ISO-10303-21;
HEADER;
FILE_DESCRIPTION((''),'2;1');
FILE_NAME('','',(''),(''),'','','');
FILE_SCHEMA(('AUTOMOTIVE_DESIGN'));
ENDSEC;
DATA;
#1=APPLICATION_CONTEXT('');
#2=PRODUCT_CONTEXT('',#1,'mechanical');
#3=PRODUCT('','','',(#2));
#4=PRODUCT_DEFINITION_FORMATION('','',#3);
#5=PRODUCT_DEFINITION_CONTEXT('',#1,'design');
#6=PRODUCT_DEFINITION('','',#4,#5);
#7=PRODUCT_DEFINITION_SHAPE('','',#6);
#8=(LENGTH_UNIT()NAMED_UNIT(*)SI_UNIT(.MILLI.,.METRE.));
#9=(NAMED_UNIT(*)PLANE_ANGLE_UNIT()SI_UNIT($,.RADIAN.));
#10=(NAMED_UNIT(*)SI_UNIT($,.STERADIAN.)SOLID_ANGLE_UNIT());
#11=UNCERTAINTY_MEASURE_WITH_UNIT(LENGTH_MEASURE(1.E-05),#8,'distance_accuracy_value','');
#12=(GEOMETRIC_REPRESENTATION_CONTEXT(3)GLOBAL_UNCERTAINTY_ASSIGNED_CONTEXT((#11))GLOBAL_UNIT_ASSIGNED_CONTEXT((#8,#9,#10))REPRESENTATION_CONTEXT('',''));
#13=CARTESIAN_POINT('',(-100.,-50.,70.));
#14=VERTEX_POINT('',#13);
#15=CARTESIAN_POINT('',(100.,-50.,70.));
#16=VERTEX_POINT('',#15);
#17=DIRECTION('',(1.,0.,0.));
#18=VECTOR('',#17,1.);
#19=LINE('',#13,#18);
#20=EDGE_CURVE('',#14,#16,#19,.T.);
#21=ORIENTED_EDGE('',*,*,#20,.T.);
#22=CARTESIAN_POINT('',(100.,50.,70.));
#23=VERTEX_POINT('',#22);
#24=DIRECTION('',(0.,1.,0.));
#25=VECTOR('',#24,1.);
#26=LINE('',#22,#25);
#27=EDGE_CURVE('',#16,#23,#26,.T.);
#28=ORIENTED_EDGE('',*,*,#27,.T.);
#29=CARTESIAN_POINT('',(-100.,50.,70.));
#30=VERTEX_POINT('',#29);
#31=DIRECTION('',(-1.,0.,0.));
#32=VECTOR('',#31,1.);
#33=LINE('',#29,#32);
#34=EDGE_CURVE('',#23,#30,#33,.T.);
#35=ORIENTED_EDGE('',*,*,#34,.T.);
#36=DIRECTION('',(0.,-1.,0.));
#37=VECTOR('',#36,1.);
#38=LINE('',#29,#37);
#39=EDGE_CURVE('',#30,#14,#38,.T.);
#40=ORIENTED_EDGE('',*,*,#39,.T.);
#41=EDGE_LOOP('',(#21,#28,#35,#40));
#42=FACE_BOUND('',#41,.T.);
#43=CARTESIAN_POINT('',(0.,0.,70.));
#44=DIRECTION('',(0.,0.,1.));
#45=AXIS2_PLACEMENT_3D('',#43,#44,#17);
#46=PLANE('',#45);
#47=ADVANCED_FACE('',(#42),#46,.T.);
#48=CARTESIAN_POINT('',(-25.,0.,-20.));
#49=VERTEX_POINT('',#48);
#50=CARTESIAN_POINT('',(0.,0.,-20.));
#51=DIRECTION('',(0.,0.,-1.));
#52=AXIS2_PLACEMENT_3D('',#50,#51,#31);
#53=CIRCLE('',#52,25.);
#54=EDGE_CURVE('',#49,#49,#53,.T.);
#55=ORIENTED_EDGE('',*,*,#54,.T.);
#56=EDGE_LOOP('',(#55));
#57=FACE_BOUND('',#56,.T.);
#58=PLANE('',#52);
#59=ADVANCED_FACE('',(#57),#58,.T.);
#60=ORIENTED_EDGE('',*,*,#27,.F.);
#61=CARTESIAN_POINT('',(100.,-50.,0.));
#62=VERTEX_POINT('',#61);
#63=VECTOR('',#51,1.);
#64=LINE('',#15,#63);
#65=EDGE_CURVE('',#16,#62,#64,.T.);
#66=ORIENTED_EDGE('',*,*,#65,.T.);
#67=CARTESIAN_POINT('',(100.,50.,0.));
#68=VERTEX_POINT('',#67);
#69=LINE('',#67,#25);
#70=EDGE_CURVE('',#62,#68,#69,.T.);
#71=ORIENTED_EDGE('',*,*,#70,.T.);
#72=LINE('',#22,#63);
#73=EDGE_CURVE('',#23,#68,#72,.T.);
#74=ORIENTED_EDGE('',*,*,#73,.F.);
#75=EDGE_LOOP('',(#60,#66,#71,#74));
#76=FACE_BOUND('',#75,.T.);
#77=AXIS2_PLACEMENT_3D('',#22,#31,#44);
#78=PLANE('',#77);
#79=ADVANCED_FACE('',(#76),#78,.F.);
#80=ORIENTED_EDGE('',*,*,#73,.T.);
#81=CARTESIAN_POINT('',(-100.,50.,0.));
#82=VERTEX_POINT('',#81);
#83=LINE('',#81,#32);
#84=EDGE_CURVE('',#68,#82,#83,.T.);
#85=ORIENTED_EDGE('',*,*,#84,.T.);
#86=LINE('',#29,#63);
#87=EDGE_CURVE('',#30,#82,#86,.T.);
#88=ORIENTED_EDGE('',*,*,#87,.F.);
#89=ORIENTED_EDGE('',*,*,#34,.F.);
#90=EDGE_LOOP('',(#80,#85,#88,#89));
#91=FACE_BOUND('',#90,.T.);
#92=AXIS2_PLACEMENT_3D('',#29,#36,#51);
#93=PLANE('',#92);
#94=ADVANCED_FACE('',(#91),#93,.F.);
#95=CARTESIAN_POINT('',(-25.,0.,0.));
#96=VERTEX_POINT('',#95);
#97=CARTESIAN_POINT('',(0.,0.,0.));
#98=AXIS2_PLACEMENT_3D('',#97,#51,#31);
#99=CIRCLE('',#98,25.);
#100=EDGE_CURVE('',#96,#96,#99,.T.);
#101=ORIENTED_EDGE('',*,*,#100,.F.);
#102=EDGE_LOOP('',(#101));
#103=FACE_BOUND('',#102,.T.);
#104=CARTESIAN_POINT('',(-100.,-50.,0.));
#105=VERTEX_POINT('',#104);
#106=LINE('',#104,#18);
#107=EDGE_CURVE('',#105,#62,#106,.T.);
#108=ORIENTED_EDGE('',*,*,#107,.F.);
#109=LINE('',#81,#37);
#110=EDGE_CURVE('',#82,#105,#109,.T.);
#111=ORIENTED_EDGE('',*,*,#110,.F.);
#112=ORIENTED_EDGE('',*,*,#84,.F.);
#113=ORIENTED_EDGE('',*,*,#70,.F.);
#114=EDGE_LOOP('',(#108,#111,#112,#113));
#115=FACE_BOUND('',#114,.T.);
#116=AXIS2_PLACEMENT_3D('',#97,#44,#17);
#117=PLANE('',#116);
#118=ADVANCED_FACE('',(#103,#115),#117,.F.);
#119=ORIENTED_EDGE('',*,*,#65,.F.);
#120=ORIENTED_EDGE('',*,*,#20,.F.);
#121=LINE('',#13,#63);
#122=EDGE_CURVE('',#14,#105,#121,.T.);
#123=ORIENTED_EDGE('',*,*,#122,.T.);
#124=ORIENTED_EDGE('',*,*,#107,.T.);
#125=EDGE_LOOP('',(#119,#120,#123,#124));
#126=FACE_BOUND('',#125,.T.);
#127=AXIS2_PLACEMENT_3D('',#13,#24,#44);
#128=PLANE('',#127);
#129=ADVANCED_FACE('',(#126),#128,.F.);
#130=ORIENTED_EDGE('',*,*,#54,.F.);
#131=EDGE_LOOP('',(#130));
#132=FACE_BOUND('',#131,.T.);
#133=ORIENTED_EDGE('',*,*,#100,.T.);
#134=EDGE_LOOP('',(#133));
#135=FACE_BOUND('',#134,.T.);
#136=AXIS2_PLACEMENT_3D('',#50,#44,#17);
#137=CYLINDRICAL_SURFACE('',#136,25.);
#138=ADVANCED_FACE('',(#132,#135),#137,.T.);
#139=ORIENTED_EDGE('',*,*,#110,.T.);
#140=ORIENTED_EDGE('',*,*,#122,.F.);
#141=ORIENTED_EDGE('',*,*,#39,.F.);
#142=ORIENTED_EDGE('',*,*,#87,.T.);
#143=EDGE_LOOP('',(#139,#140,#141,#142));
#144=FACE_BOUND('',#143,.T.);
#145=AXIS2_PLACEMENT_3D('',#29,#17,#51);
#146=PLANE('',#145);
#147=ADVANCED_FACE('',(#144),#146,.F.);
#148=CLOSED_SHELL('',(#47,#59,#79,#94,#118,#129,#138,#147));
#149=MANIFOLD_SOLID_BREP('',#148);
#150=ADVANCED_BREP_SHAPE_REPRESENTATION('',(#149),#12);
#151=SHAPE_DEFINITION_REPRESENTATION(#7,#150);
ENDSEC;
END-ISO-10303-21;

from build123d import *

# Parameters (mm, degrees)
SKETCH_1_W      = 200
SKETCH_1_H      = 100
EXTRUDE_1_DEPTH = 70
SKETCH_3_R      = 25
EXTRUDE_2_DEPTH = 20


with BuildPart() as part:
    # 草图1 → 凸台-拉伸1 (new body)
    with BuildSketch(Plane.XY):
        Rectangle(SKETCH_1_W, SKETCH_1_H)
    extrude(amount=EXTRUDE_1_DEPTH)

    # 草图3 → 凸台-拉伸2 (add)
    with BuildSketch(Plane(origin=(0, 0, 0), x_dir=(-1, 0, 0), z_dir=(0, 0, -1))):
        Circle(SKETCH_3_R)
    extrude(amount=EXTRUDE_2_DEPTH)


solid = part.part
